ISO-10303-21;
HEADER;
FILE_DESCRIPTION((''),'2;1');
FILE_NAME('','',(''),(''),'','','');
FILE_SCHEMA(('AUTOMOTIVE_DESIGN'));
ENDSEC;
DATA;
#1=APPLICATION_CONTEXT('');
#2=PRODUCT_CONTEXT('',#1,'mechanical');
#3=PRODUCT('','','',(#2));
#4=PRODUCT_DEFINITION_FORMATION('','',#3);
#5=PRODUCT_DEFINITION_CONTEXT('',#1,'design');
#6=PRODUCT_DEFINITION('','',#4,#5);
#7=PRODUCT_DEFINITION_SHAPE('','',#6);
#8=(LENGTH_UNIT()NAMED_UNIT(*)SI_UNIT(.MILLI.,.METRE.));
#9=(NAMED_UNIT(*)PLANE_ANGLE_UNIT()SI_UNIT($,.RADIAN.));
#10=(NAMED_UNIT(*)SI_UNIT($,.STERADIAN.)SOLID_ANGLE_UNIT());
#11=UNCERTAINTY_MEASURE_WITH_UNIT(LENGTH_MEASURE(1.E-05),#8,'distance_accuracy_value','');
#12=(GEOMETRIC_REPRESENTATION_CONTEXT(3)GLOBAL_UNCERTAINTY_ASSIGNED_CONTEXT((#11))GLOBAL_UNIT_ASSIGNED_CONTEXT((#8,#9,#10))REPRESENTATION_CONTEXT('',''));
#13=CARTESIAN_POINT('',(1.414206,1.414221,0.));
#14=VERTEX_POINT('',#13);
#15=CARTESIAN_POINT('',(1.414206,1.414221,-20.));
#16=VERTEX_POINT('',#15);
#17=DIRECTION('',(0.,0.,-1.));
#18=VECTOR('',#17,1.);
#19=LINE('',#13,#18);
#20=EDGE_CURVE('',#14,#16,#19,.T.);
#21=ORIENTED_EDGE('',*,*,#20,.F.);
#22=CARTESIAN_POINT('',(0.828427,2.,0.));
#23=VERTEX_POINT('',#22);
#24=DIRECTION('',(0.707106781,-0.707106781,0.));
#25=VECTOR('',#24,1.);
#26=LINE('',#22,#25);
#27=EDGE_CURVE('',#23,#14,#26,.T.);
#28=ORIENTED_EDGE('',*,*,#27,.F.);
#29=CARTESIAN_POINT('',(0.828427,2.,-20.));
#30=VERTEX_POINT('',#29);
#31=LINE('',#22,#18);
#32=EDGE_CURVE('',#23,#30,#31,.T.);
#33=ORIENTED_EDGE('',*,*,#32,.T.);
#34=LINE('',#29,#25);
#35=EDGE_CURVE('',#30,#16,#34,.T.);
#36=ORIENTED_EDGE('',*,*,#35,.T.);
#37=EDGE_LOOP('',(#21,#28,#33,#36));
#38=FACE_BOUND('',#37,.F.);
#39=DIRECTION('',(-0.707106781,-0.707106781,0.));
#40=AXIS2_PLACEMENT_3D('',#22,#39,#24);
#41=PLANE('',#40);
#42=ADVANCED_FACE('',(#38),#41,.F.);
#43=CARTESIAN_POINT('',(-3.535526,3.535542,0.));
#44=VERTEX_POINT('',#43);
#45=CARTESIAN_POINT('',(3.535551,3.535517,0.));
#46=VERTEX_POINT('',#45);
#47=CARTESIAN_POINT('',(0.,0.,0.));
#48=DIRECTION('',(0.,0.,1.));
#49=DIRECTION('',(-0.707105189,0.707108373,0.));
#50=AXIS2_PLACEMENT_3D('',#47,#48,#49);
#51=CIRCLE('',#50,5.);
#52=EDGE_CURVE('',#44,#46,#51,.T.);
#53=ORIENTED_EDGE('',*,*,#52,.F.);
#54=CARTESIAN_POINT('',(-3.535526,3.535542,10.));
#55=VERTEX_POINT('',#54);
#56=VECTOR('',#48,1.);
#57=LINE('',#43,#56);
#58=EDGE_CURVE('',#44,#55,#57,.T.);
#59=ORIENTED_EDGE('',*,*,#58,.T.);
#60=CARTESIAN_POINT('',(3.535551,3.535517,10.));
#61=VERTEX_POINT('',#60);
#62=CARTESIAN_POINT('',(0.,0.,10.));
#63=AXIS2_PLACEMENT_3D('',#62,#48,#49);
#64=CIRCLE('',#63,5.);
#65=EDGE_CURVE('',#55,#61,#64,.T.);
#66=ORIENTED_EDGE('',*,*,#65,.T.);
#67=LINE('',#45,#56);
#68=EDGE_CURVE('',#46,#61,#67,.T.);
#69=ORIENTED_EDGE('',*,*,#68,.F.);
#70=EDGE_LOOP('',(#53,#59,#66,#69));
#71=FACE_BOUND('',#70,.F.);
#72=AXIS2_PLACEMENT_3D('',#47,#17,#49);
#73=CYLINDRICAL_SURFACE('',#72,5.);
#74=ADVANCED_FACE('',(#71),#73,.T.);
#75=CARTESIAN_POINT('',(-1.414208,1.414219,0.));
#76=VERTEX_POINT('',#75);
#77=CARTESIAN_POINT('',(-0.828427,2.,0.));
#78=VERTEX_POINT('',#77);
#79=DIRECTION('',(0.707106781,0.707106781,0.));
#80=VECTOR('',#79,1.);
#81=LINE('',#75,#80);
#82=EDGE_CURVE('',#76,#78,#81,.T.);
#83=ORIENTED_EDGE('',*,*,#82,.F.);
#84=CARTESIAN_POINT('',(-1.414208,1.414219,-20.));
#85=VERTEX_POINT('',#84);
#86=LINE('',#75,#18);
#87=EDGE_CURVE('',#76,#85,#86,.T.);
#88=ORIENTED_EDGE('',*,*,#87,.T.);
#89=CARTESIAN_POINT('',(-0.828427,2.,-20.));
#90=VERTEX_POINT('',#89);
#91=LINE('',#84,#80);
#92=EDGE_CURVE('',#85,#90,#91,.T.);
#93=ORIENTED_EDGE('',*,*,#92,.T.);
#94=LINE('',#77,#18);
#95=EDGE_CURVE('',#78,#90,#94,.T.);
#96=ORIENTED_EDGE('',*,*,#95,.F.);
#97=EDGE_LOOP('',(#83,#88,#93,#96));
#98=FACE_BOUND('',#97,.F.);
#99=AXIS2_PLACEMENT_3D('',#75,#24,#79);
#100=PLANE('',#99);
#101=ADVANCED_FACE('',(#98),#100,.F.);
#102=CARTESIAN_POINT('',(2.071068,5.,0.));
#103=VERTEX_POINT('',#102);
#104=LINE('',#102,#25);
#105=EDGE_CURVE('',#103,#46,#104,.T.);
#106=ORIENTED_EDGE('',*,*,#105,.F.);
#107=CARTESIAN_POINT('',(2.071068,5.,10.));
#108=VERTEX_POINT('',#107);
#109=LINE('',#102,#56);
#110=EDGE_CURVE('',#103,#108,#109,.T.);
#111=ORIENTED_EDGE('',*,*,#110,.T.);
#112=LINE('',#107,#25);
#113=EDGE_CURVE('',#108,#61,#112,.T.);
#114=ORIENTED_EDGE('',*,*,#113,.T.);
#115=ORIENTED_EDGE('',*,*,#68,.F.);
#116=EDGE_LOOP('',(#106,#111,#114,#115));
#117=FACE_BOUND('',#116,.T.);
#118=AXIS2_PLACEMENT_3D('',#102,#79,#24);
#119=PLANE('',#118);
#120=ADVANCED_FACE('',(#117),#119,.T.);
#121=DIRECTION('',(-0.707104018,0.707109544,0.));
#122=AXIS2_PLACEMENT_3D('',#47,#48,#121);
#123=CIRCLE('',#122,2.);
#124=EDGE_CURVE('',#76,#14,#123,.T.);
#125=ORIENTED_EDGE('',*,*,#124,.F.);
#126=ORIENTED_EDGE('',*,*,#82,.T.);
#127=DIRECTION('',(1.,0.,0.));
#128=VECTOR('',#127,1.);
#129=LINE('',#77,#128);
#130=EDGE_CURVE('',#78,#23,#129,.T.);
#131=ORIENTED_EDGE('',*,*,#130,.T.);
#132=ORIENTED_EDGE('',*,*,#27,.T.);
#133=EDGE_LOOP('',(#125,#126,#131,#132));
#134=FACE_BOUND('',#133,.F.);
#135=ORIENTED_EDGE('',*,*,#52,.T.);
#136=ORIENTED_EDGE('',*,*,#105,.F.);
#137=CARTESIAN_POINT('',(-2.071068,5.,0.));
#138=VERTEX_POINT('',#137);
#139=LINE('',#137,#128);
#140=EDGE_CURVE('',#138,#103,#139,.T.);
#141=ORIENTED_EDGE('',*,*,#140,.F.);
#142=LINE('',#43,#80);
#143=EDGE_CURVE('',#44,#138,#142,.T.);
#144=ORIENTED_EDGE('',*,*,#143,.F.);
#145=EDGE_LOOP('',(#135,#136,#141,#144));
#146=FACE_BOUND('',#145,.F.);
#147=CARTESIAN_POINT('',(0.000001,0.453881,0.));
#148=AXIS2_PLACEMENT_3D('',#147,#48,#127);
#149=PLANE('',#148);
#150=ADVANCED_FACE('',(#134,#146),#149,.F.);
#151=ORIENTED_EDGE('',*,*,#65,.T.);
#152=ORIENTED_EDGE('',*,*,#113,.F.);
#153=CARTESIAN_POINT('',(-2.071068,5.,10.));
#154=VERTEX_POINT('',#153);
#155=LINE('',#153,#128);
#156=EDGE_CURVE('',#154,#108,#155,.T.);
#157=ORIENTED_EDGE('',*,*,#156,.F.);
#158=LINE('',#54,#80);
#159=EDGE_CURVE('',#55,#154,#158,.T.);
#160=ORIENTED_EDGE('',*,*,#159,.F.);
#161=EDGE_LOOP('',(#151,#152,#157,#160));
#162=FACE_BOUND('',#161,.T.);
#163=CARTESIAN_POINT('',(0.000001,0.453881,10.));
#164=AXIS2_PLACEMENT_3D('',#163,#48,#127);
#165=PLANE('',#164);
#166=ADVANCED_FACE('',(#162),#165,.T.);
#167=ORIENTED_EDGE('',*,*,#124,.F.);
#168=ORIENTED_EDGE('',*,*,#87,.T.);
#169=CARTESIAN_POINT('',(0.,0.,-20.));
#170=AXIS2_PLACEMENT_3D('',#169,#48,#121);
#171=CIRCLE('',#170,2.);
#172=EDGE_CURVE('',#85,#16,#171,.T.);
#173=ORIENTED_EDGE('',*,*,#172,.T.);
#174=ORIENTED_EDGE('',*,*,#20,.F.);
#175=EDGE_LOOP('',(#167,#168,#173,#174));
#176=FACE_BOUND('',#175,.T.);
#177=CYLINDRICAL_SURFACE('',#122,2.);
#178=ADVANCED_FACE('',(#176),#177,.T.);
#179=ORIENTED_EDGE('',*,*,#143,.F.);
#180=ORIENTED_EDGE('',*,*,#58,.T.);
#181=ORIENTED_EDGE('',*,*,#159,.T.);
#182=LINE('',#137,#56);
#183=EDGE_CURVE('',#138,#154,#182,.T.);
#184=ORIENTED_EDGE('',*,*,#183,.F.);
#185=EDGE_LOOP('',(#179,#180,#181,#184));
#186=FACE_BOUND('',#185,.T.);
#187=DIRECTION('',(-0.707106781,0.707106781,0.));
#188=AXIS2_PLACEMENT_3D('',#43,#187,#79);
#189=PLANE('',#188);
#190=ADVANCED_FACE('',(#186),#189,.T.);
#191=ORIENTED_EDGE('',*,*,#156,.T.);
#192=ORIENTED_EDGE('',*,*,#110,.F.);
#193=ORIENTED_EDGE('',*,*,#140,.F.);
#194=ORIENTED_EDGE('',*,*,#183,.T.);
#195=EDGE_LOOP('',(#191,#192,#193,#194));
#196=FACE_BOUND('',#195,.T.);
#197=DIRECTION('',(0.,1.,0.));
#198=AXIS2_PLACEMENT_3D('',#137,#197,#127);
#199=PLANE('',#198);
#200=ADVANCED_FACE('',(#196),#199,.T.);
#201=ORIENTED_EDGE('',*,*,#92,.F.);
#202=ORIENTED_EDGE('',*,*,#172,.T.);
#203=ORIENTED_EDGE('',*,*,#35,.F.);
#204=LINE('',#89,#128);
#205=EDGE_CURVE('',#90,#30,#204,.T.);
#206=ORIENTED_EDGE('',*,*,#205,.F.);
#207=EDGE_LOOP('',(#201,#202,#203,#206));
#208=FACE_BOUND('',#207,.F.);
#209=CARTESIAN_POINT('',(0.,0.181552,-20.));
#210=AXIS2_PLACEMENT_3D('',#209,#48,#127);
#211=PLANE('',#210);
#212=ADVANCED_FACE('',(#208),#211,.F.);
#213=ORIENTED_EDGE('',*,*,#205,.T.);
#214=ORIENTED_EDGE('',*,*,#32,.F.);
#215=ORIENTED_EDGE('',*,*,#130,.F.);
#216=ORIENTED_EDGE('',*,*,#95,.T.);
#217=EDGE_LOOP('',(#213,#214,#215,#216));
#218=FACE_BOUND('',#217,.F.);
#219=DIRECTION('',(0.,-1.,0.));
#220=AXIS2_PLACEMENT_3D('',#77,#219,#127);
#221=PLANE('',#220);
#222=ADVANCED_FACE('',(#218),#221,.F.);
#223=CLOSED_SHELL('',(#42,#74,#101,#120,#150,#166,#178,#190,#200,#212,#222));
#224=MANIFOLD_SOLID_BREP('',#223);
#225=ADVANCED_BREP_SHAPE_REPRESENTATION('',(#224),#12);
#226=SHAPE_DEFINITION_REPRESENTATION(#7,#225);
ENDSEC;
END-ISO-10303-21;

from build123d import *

# Parameters (mm, degrees)
PAD003_DEPTH = 10
PAD002_DEPTH = 20


with BuildPart() as printbolthead001:
    # Sketch003 → Pad003 (new body)
    with BuildSketch(Plane.XY):
        with BuildLine():
            ThreePointArc((-3.535526, 3.535542), (-1.8e-05, -5), (3.535551, 3.535517))
            Line((2.071068, 5), (3.535551, 3.535517))
            Line((-2.071068, 5), (2.071068, 5))
            Line((-3.535526, 3.535542), (-2.071068, 5))
        make_face()
    extrude(amount=PAD003_DEPTH)


with BuildPart() as printboltslot:
    # Sketch002 → Pad002 (new body)
    with BuildSketch(Plane.XY):
        with BuildLine():
            ThreePointArc((-1.414208, 1.414219), (1e-06, -2), (1.414206, 1.414221))
            Line((0.828427, 2), (1.414206, 1.414221))
            Line((-0.828427, 2), (0.828427, 2))
            Line((-1.414208, 1.414219), (-0.828427, 2))
        make_face()
    extrude(amount=-PAD002_DEPTH)

    # Fusion001: union PrintBoltHead001
    add(printbolthead001.part)


solid = printboltslot.part
